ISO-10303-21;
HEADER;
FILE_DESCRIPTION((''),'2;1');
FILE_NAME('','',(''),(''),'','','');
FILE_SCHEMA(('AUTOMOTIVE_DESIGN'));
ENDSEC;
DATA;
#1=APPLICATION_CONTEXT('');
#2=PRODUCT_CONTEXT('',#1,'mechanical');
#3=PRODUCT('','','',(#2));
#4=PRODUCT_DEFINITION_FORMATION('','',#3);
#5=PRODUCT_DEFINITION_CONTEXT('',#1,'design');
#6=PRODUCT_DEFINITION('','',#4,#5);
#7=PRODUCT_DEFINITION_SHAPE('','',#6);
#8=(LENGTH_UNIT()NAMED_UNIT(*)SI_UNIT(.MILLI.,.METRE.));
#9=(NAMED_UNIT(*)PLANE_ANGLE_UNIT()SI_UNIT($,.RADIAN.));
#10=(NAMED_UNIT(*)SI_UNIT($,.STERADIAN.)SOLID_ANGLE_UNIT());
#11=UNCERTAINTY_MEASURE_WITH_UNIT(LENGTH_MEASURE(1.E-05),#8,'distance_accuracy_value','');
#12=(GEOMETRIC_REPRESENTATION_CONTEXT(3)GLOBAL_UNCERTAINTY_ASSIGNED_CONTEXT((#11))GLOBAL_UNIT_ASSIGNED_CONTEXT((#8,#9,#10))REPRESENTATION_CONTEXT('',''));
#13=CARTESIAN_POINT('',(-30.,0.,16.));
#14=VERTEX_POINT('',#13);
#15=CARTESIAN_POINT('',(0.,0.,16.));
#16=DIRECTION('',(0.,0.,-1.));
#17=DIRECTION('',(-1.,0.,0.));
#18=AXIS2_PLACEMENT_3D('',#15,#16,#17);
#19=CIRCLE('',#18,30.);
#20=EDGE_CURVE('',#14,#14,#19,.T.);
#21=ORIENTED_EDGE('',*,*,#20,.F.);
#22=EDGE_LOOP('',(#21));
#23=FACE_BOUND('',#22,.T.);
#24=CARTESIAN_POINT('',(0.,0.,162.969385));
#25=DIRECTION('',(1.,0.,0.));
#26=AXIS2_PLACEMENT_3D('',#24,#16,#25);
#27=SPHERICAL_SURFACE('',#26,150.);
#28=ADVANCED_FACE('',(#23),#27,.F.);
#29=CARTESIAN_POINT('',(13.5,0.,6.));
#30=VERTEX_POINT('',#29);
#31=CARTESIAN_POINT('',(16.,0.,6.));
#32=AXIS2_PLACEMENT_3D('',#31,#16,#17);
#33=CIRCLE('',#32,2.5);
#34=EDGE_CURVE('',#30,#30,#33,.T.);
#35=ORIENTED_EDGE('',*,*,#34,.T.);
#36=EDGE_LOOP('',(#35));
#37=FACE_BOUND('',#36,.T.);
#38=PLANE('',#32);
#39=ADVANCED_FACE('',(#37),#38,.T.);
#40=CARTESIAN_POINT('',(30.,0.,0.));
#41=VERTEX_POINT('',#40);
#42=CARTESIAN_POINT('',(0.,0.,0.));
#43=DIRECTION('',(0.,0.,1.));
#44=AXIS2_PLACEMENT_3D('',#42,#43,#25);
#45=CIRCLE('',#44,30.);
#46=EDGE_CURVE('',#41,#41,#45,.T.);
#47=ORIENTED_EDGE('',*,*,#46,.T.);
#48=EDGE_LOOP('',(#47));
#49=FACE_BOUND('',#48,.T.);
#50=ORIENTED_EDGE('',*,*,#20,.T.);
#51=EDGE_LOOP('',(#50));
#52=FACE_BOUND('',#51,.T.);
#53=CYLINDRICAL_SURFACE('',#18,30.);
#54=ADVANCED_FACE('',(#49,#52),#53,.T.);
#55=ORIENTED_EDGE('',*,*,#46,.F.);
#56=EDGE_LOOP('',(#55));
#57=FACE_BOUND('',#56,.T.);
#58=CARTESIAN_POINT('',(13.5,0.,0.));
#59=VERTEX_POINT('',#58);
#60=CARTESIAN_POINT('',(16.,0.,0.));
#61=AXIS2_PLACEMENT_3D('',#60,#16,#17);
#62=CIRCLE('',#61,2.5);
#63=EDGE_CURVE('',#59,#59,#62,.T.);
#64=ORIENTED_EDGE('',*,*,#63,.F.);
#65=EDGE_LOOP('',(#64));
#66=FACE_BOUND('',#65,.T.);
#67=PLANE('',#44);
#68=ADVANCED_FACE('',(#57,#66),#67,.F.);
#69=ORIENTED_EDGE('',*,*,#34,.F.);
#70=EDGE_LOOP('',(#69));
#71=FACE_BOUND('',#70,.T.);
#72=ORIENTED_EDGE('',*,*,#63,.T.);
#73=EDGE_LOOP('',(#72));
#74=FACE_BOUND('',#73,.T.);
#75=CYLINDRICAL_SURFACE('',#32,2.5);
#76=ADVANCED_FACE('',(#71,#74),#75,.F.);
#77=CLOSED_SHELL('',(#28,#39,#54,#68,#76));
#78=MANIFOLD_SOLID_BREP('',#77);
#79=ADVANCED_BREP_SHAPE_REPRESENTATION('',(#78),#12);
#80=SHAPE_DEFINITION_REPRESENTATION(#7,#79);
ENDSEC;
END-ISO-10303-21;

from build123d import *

# Parameters (mm, degrees)
SKETCH1_R           = 30
BOSS_EXTRUDE1_DEPTH = 16
SKETCH4_R           = 2.5
CUT_EXTRUDE2_DEPTH  = 6


with BuildPart() as part:
    # Sketch1 → Boss-Extrude1 (new body)
    with BuildSketch(Plane.XY):
        Circle(SKETCH1_R)
    extrude(amount=BOSS_EXTRUDE1_DEPTH)

    # Sketch3 → Cut-Revolve2 (revolve, cut)
    with BuildSketch(Plane(origin=(0, 0, 0), x_dir=(1, 0, 0), z_dir=(0, 1, 0)), mode=Mode.PRIVATE) as cut_revolve2_sk:
        with BuildLine():
            Line((0, -16), (30, -16))
            ThreePointArc((30, -16), (15.076344301, -13.728961616), (0, -12.969384567))
            Line((0, -12.969384567), (0, -16))
        make_face()
    revolve(cut_revolve2_sk.sketch.rotate(Axis((0, 0, 12.969384567), (0, 0, 1)), 180), axis=Axis((0, 0, 12.969384567), (0, 0, 1)), mode=Mode.SUBTRACT)

    # Sketch4 → Cut-Extrude2 (cut)
    with BuildSketch(Plane(origin=(0, 0, 0), x_dir=(-1, 0, 0), z_dir=(0, 0, -1))):
        with Locations((-16, 0)):
            Circle(SKETCH4_R)
    extrude(amount=-CUT_EXTRUDE2_DEPTH, mode=Mode.SUBTRACT)


solid = part.part
